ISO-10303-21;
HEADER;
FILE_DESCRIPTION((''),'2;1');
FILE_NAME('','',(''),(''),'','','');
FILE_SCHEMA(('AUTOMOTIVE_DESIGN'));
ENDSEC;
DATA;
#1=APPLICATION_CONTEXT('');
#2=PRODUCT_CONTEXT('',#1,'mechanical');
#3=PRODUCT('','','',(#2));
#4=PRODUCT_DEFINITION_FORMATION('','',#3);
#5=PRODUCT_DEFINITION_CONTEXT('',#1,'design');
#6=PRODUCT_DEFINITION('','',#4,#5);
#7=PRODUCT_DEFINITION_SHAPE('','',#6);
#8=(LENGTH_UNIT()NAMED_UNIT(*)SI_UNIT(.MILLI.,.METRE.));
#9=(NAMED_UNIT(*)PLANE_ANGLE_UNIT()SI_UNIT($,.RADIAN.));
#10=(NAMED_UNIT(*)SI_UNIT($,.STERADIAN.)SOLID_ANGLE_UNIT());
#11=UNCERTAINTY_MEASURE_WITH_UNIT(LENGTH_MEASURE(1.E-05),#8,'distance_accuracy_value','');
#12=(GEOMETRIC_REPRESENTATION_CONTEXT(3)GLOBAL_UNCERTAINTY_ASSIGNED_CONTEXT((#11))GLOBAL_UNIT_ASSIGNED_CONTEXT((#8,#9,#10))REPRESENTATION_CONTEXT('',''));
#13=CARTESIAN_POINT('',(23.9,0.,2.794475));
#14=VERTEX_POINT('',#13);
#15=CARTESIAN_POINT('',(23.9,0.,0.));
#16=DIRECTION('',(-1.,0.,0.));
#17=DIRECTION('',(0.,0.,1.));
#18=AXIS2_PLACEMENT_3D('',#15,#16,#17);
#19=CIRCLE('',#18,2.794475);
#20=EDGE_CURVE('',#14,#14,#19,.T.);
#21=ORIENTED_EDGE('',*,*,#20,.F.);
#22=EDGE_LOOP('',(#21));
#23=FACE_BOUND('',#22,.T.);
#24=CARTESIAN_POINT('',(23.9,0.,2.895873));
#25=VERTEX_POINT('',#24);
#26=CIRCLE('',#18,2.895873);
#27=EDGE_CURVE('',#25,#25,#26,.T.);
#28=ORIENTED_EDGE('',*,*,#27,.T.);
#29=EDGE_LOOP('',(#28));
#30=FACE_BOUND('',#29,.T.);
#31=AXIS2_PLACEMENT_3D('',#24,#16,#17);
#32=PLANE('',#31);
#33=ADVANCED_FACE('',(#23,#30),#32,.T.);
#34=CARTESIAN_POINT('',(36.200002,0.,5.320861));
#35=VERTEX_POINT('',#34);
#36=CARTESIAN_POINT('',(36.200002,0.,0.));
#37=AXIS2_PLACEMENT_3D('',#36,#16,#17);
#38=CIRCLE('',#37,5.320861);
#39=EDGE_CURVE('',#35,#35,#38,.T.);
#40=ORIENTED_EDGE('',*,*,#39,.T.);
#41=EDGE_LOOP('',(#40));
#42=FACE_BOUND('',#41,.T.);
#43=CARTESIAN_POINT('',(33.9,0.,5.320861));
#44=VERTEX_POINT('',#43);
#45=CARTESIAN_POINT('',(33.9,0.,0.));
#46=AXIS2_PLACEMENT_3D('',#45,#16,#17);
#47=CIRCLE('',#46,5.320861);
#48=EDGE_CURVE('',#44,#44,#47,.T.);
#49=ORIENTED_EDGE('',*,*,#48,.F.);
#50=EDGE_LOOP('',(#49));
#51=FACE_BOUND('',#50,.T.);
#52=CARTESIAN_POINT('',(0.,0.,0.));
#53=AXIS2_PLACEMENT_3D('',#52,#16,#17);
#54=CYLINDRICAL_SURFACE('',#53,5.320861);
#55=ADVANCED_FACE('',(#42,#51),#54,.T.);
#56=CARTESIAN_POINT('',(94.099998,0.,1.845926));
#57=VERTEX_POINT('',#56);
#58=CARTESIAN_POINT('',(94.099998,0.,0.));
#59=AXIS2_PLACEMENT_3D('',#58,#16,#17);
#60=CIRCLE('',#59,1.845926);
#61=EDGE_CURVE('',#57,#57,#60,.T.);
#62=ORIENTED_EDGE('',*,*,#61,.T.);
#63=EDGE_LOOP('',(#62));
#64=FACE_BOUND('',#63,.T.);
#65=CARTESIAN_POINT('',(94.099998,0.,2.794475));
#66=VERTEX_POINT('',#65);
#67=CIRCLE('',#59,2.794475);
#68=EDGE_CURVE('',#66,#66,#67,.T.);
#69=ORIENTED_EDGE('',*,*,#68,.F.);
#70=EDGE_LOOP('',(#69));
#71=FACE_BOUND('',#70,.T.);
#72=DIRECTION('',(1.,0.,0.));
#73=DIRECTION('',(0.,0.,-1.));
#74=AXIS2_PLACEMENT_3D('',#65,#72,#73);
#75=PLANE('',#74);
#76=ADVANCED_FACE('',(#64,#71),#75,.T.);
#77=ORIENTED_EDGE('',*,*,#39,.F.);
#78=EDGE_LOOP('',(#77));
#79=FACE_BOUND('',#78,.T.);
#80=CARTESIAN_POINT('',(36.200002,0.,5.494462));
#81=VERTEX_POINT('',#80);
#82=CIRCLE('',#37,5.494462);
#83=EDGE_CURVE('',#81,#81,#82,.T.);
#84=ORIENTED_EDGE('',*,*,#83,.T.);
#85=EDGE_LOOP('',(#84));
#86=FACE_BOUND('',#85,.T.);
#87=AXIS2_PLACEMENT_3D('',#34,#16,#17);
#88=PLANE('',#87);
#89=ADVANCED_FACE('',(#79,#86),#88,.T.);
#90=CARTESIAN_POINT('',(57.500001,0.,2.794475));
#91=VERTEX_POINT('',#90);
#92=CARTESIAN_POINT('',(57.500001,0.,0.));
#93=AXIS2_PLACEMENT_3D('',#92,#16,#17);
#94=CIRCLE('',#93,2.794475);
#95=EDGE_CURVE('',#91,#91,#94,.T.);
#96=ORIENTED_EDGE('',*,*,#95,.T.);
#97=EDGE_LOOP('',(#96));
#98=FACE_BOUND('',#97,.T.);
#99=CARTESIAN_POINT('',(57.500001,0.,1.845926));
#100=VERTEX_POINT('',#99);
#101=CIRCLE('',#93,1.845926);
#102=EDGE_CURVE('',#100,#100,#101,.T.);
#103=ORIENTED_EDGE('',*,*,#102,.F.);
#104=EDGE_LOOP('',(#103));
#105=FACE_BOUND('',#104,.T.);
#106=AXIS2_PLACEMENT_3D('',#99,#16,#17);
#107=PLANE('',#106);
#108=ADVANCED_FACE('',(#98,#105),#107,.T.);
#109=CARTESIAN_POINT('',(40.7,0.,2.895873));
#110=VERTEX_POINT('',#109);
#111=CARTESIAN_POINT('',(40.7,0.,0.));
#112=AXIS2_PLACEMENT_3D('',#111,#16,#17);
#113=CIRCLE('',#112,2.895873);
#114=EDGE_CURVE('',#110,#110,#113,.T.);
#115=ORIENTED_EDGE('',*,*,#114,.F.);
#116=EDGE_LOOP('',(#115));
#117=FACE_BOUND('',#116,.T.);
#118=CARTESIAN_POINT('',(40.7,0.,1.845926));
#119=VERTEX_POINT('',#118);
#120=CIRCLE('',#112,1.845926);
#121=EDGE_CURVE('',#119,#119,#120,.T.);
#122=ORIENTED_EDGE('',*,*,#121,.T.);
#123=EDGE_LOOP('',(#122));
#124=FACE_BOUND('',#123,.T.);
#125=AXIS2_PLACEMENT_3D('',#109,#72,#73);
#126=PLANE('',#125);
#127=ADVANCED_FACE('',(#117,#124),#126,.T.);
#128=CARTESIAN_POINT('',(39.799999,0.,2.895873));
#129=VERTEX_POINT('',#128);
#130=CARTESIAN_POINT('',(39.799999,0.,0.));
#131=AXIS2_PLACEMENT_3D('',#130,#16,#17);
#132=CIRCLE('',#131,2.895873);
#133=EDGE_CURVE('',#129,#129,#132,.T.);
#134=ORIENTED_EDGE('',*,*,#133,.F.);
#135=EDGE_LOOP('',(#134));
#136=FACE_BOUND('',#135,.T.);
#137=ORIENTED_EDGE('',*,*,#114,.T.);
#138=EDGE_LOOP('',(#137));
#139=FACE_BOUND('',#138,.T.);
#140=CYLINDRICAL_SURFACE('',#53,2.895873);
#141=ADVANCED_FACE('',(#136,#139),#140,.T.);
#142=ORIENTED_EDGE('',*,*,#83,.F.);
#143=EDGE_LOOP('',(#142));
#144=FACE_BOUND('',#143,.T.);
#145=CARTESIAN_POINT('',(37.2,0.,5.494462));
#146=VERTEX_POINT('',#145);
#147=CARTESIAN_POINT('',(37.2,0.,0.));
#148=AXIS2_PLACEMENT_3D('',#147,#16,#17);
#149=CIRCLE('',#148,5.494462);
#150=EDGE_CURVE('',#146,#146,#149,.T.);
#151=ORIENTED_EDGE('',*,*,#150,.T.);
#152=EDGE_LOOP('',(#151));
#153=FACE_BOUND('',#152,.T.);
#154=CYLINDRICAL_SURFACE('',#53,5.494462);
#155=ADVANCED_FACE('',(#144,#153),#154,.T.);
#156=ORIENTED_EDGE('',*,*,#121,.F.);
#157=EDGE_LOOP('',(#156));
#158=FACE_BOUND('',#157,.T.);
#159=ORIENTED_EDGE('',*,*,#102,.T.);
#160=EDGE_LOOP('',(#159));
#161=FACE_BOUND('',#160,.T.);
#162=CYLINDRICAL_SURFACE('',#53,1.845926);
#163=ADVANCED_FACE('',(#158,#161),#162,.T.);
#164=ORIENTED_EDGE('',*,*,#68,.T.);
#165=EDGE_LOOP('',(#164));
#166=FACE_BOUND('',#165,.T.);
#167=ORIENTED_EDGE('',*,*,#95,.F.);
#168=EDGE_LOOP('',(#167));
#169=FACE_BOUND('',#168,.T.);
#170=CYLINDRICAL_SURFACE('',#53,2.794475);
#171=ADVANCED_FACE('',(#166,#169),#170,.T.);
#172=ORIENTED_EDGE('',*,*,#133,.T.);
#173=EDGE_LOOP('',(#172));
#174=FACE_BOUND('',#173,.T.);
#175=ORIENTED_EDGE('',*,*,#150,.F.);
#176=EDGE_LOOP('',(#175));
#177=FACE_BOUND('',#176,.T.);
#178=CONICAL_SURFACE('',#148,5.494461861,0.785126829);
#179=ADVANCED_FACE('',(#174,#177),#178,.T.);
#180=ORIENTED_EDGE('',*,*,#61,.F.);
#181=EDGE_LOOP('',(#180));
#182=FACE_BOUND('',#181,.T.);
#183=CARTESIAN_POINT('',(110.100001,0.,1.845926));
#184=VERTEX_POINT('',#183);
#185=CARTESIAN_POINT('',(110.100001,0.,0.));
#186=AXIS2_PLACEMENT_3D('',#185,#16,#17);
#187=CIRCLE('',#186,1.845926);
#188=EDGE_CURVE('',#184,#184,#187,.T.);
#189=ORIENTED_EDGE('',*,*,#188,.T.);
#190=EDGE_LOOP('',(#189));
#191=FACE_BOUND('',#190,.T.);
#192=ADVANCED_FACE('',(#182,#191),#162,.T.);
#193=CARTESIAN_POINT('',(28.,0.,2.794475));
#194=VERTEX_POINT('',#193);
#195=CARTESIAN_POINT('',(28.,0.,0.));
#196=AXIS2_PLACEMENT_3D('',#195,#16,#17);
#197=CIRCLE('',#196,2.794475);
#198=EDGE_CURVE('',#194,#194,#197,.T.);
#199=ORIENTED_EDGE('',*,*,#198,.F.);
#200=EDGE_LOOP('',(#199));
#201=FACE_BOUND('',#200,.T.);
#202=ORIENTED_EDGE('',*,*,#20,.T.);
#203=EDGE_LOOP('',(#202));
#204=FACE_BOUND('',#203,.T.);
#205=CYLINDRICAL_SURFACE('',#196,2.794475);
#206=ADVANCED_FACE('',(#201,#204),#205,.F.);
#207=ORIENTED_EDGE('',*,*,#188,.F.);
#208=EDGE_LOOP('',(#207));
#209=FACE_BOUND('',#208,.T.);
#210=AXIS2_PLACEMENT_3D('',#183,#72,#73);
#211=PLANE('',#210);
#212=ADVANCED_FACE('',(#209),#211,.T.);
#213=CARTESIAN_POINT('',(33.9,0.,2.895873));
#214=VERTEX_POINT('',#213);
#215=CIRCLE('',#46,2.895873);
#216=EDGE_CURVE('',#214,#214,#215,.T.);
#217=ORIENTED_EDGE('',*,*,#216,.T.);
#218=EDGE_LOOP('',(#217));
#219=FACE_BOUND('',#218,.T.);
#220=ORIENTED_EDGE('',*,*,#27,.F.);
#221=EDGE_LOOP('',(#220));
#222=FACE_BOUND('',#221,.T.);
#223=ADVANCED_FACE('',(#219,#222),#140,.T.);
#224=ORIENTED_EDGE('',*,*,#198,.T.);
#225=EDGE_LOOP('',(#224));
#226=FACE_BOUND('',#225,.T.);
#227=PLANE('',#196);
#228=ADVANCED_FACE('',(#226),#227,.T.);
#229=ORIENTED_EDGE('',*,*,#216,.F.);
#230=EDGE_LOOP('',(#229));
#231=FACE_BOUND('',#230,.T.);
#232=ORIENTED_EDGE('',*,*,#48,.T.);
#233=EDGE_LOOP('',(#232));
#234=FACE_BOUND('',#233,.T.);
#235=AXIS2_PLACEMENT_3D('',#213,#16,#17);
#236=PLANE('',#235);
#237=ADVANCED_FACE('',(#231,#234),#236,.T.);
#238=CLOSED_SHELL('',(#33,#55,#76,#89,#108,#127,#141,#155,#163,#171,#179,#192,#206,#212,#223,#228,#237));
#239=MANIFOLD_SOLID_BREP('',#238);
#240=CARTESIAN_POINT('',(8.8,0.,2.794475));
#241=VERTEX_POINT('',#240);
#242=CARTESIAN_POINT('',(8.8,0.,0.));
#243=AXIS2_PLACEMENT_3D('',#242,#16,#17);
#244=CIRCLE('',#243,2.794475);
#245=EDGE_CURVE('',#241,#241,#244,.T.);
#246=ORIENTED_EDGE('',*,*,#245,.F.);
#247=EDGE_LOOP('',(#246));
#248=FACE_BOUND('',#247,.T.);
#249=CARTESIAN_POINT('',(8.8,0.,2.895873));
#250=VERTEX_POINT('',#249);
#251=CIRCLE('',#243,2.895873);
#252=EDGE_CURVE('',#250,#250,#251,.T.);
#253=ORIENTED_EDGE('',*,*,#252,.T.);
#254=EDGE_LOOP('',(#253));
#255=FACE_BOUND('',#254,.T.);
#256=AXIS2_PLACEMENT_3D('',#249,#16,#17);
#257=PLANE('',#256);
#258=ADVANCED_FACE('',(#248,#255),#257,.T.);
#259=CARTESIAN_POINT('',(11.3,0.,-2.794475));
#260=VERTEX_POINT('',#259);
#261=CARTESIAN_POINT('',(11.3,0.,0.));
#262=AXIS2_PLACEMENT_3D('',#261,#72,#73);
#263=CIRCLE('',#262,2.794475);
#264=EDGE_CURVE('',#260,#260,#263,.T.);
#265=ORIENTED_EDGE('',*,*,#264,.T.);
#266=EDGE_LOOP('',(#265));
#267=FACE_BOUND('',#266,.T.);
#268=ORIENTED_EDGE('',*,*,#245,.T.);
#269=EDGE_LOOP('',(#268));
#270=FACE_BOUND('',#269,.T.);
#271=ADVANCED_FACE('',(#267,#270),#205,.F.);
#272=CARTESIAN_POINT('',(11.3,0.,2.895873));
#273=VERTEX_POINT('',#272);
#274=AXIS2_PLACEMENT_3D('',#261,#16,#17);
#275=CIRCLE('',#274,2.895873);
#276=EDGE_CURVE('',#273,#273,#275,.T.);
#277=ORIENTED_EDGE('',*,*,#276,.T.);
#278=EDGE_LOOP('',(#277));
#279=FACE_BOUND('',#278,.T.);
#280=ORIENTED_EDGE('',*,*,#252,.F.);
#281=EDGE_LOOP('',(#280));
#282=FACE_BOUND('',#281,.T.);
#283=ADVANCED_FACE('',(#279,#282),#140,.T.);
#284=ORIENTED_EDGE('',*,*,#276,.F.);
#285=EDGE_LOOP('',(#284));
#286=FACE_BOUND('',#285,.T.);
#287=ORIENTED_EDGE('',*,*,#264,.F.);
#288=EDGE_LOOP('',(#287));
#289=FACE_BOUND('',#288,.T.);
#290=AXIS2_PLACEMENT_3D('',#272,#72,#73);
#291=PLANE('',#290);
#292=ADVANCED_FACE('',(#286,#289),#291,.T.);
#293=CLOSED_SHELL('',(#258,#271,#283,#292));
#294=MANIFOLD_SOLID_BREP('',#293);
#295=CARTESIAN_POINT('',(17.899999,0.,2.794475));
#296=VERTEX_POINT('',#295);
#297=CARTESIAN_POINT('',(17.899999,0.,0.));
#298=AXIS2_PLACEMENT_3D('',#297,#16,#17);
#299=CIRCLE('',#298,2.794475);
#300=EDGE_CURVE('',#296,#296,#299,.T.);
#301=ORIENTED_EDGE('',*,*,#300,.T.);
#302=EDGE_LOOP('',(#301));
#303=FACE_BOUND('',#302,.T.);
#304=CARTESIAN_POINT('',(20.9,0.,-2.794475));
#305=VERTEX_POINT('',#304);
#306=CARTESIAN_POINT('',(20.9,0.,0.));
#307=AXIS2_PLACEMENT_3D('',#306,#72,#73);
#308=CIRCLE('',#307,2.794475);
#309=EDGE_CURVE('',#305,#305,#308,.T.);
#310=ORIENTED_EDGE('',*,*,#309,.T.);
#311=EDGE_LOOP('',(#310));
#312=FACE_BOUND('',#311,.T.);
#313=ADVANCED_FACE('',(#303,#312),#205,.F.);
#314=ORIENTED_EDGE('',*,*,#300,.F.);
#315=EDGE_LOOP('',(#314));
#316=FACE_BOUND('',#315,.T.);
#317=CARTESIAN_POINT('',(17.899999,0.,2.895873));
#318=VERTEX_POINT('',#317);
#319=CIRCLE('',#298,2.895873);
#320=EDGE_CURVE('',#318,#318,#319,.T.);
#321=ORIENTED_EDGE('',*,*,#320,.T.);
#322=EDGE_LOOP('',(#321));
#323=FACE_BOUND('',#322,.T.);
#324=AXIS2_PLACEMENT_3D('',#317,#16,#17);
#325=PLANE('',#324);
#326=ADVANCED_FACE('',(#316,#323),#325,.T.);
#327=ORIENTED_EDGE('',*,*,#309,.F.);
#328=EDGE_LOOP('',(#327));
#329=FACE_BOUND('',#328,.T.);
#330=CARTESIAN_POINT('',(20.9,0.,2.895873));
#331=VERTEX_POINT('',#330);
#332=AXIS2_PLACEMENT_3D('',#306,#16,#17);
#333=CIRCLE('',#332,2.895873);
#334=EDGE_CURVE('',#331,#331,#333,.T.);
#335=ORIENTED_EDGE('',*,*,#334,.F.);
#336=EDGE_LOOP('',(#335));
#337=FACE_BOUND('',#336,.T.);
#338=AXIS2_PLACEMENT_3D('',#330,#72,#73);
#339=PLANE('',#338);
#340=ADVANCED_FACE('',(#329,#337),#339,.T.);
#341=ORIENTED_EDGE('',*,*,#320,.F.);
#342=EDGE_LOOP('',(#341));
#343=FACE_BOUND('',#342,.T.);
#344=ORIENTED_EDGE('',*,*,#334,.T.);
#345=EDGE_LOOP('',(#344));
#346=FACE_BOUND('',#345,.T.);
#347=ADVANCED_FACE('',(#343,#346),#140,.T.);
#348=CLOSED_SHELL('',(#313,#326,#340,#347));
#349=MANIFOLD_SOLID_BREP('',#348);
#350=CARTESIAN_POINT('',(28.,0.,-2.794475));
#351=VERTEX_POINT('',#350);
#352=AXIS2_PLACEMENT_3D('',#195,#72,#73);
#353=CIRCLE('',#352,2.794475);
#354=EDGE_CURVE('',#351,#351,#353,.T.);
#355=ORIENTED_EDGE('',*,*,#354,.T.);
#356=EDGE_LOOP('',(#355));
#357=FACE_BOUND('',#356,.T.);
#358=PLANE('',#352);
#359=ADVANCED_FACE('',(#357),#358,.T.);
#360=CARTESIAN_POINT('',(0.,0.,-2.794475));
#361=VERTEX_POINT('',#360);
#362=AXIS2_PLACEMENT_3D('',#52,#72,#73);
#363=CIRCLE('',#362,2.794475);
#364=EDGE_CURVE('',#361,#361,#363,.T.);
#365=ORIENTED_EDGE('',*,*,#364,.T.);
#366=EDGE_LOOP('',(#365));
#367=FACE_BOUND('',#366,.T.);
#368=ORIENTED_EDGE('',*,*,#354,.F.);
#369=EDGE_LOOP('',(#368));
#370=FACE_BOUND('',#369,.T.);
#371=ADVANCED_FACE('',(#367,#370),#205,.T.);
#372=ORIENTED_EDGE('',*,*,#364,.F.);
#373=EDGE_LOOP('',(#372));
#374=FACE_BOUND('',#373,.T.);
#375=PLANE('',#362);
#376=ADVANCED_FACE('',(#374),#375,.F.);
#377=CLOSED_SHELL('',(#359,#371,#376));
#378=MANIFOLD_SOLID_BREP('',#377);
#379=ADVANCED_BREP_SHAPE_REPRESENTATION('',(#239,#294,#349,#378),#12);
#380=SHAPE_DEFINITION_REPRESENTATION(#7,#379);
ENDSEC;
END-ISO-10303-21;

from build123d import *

# Parameters (mm, degrees)
SKETCH2_R           = 2.794474829
CUT_EXTRUDE1_DEPTH  = 28
SKETCH3_R           = 2.794474829
BOSS_EXTRUDE1_DEPTH = 28


with BuildPart() as part:
    # Sketch1 → Revolve1 (revolve)
    with BuildSketch(Plane(origin=(0, 0, 0), x_dir=(1, 0, 0), z_dir=(0, 1, 0))):
        Polygon((23.900000378, -2.895873106), (33.900000155, -2.895873106), (33.900000155, -5.320860504), (36.200001836, -5.320860504), (36.200001836, -5.494461861), (37.200000137, -5.494461861), (39.799999446, -2.895873106), (40.699999779, -2.895873106), (40.699999779, -1.845926362), (57.500001043, -1.845926362), (57.500001043, -2.794474829), (94.099998474, -2.794474829), (94.099998474, -1.845926362), (110.100001097, -1.845926362), (110.100001097, 0), (0, 0), (0, -2.794474829), (8.799999952, -2.794474829), (8.799999952, -2.895873106), (11.300000362, -2.895873106), (11.300000362, -2.794474829), (17.899999395, -2.794474829), (17.899999395, -2.895873106), (20.899999887, -2.895873106), (20.899999887, -2.794474829), (23.900000378, -2.794474829), align=None)
    revolve(axis=Axis((0, 0, 0), (1, 0, 0)))

    # Sketch2 → Cut-Extrude1 (cut)
    with BuildSketch(Plane.ZY):
        Circle(SKETCH2_R)
    extrude(amount=-CUT_EXTRUDE1_DEPTH, mode=Mode.SUBTRACT)


with BuildPart() as body_2:
    # Sketch3 → Boss-Extrude1 (new body)
    with BuildSketch(Plane(origin=(0, 0, 0), x_dir=(0, 0, -1), z_dir=(1, 0, 0))):
        Circle(SKETCH3_R)
    extrude(amount=BOSS_EXTRUDE1_DEPTH)


solid = Compound([part.part, body_2.part])
